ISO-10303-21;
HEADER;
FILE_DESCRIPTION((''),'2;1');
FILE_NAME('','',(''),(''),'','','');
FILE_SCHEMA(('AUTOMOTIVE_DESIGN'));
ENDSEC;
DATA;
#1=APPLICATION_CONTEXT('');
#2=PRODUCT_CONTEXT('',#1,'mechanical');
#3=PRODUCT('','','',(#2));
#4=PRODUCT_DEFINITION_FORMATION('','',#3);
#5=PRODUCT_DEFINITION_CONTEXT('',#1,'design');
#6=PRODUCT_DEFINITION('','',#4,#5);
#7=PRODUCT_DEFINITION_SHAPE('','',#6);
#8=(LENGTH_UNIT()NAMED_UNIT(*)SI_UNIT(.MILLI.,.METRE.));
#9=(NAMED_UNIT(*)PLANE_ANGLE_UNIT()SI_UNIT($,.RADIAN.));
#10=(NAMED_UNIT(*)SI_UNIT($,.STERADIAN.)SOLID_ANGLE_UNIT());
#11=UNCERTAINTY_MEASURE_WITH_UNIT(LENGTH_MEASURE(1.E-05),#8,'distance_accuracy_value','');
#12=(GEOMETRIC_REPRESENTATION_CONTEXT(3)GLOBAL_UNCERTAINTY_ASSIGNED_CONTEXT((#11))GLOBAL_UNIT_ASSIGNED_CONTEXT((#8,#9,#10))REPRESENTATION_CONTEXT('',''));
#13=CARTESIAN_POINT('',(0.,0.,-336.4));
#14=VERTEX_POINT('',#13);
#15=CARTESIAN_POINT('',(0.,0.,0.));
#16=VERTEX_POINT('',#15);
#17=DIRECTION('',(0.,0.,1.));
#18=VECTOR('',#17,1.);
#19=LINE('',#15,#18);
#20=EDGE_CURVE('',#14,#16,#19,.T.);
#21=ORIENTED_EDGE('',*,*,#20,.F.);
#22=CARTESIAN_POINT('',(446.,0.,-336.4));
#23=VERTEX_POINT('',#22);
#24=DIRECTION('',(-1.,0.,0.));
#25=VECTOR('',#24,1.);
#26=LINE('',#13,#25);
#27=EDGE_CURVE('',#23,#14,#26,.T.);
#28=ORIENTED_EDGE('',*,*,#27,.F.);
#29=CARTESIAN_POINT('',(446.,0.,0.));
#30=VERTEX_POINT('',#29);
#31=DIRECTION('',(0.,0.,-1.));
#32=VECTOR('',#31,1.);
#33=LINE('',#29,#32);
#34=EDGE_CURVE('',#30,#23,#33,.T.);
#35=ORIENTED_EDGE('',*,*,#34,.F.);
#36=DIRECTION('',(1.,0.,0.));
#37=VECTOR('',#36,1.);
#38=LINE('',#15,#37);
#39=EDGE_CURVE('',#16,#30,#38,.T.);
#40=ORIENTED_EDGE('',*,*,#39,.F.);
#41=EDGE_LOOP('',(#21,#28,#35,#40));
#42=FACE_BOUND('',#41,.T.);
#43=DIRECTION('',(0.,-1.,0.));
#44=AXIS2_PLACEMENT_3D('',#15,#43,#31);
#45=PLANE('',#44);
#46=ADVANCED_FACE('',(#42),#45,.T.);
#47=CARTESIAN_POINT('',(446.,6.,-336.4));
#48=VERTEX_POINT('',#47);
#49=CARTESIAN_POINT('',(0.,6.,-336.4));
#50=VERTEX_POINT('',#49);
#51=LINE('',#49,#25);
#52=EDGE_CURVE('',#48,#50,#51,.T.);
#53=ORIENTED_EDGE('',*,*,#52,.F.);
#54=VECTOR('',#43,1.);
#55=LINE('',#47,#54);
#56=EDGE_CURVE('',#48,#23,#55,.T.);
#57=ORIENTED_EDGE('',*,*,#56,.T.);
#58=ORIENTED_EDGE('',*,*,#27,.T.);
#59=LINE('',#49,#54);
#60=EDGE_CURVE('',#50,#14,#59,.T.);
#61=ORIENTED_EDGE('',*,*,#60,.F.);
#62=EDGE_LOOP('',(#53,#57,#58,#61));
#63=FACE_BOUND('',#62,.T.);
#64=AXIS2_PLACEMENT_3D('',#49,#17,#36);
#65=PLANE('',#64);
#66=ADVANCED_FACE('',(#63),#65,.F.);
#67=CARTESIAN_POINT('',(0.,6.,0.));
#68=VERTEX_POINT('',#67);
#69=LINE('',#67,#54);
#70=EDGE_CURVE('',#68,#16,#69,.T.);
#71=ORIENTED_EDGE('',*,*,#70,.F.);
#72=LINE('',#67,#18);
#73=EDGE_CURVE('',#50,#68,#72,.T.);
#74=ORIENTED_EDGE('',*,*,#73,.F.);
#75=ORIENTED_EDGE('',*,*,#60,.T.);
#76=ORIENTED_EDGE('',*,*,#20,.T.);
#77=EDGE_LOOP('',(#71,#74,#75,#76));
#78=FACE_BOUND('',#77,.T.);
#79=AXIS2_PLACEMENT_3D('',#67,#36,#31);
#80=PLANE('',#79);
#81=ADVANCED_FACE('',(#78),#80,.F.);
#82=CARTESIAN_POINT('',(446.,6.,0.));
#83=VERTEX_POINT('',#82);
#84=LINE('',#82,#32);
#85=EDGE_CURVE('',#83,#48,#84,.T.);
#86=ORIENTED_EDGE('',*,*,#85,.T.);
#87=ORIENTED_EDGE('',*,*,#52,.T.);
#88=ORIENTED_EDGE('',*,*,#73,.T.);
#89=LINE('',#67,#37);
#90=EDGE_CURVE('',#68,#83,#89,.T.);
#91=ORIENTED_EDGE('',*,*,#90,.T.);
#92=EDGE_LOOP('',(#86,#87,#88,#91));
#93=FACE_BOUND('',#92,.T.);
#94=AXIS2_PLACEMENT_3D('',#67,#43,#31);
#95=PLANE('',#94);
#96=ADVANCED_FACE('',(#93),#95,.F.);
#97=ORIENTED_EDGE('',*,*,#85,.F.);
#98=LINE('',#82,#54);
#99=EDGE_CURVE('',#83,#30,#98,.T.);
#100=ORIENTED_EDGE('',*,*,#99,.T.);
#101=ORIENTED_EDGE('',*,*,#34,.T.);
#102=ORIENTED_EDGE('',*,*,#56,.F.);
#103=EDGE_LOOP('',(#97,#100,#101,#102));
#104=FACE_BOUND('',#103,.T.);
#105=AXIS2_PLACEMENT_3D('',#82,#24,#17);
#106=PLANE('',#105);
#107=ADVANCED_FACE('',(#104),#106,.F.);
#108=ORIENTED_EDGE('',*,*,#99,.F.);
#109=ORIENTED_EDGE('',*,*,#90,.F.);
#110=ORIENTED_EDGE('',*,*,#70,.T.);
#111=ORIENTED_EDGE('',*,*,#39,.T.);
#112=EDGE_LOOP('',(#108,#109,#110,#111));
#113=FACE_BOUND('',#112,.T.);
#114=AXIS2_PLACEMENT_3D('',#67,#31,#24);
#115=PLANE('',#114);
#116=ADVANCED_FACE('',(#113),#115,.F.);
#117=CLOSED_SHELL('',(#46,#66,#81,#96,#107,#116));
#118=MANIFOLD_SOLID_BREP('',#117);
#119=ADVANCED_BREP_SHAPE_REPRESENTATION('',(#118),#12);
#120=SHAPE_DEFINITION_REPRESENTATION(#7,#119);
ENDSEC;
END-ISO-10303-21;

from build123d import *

# Parameters (mm, degrees)
SKETCH1_W           = 446
SKETCH1_H           = 336.4
BOSS_EXTRUDE1_DEPTH = 6


with BuildPart() as part:
    # Sketch1 → Boss-Extrude1 (new body)
    with BuildSketch(Plane(origin=(0, 0, 0), x_dir=(1, 0, 0), z_dir=(0, 1, 0))):
        with Locations((223, 168.2)):
            Rectangle(SKETCH1_W, SKETCH1_H)
    extrude(amount=BOSS_EXTRUDE1_DEPTH)


solid = part.part
